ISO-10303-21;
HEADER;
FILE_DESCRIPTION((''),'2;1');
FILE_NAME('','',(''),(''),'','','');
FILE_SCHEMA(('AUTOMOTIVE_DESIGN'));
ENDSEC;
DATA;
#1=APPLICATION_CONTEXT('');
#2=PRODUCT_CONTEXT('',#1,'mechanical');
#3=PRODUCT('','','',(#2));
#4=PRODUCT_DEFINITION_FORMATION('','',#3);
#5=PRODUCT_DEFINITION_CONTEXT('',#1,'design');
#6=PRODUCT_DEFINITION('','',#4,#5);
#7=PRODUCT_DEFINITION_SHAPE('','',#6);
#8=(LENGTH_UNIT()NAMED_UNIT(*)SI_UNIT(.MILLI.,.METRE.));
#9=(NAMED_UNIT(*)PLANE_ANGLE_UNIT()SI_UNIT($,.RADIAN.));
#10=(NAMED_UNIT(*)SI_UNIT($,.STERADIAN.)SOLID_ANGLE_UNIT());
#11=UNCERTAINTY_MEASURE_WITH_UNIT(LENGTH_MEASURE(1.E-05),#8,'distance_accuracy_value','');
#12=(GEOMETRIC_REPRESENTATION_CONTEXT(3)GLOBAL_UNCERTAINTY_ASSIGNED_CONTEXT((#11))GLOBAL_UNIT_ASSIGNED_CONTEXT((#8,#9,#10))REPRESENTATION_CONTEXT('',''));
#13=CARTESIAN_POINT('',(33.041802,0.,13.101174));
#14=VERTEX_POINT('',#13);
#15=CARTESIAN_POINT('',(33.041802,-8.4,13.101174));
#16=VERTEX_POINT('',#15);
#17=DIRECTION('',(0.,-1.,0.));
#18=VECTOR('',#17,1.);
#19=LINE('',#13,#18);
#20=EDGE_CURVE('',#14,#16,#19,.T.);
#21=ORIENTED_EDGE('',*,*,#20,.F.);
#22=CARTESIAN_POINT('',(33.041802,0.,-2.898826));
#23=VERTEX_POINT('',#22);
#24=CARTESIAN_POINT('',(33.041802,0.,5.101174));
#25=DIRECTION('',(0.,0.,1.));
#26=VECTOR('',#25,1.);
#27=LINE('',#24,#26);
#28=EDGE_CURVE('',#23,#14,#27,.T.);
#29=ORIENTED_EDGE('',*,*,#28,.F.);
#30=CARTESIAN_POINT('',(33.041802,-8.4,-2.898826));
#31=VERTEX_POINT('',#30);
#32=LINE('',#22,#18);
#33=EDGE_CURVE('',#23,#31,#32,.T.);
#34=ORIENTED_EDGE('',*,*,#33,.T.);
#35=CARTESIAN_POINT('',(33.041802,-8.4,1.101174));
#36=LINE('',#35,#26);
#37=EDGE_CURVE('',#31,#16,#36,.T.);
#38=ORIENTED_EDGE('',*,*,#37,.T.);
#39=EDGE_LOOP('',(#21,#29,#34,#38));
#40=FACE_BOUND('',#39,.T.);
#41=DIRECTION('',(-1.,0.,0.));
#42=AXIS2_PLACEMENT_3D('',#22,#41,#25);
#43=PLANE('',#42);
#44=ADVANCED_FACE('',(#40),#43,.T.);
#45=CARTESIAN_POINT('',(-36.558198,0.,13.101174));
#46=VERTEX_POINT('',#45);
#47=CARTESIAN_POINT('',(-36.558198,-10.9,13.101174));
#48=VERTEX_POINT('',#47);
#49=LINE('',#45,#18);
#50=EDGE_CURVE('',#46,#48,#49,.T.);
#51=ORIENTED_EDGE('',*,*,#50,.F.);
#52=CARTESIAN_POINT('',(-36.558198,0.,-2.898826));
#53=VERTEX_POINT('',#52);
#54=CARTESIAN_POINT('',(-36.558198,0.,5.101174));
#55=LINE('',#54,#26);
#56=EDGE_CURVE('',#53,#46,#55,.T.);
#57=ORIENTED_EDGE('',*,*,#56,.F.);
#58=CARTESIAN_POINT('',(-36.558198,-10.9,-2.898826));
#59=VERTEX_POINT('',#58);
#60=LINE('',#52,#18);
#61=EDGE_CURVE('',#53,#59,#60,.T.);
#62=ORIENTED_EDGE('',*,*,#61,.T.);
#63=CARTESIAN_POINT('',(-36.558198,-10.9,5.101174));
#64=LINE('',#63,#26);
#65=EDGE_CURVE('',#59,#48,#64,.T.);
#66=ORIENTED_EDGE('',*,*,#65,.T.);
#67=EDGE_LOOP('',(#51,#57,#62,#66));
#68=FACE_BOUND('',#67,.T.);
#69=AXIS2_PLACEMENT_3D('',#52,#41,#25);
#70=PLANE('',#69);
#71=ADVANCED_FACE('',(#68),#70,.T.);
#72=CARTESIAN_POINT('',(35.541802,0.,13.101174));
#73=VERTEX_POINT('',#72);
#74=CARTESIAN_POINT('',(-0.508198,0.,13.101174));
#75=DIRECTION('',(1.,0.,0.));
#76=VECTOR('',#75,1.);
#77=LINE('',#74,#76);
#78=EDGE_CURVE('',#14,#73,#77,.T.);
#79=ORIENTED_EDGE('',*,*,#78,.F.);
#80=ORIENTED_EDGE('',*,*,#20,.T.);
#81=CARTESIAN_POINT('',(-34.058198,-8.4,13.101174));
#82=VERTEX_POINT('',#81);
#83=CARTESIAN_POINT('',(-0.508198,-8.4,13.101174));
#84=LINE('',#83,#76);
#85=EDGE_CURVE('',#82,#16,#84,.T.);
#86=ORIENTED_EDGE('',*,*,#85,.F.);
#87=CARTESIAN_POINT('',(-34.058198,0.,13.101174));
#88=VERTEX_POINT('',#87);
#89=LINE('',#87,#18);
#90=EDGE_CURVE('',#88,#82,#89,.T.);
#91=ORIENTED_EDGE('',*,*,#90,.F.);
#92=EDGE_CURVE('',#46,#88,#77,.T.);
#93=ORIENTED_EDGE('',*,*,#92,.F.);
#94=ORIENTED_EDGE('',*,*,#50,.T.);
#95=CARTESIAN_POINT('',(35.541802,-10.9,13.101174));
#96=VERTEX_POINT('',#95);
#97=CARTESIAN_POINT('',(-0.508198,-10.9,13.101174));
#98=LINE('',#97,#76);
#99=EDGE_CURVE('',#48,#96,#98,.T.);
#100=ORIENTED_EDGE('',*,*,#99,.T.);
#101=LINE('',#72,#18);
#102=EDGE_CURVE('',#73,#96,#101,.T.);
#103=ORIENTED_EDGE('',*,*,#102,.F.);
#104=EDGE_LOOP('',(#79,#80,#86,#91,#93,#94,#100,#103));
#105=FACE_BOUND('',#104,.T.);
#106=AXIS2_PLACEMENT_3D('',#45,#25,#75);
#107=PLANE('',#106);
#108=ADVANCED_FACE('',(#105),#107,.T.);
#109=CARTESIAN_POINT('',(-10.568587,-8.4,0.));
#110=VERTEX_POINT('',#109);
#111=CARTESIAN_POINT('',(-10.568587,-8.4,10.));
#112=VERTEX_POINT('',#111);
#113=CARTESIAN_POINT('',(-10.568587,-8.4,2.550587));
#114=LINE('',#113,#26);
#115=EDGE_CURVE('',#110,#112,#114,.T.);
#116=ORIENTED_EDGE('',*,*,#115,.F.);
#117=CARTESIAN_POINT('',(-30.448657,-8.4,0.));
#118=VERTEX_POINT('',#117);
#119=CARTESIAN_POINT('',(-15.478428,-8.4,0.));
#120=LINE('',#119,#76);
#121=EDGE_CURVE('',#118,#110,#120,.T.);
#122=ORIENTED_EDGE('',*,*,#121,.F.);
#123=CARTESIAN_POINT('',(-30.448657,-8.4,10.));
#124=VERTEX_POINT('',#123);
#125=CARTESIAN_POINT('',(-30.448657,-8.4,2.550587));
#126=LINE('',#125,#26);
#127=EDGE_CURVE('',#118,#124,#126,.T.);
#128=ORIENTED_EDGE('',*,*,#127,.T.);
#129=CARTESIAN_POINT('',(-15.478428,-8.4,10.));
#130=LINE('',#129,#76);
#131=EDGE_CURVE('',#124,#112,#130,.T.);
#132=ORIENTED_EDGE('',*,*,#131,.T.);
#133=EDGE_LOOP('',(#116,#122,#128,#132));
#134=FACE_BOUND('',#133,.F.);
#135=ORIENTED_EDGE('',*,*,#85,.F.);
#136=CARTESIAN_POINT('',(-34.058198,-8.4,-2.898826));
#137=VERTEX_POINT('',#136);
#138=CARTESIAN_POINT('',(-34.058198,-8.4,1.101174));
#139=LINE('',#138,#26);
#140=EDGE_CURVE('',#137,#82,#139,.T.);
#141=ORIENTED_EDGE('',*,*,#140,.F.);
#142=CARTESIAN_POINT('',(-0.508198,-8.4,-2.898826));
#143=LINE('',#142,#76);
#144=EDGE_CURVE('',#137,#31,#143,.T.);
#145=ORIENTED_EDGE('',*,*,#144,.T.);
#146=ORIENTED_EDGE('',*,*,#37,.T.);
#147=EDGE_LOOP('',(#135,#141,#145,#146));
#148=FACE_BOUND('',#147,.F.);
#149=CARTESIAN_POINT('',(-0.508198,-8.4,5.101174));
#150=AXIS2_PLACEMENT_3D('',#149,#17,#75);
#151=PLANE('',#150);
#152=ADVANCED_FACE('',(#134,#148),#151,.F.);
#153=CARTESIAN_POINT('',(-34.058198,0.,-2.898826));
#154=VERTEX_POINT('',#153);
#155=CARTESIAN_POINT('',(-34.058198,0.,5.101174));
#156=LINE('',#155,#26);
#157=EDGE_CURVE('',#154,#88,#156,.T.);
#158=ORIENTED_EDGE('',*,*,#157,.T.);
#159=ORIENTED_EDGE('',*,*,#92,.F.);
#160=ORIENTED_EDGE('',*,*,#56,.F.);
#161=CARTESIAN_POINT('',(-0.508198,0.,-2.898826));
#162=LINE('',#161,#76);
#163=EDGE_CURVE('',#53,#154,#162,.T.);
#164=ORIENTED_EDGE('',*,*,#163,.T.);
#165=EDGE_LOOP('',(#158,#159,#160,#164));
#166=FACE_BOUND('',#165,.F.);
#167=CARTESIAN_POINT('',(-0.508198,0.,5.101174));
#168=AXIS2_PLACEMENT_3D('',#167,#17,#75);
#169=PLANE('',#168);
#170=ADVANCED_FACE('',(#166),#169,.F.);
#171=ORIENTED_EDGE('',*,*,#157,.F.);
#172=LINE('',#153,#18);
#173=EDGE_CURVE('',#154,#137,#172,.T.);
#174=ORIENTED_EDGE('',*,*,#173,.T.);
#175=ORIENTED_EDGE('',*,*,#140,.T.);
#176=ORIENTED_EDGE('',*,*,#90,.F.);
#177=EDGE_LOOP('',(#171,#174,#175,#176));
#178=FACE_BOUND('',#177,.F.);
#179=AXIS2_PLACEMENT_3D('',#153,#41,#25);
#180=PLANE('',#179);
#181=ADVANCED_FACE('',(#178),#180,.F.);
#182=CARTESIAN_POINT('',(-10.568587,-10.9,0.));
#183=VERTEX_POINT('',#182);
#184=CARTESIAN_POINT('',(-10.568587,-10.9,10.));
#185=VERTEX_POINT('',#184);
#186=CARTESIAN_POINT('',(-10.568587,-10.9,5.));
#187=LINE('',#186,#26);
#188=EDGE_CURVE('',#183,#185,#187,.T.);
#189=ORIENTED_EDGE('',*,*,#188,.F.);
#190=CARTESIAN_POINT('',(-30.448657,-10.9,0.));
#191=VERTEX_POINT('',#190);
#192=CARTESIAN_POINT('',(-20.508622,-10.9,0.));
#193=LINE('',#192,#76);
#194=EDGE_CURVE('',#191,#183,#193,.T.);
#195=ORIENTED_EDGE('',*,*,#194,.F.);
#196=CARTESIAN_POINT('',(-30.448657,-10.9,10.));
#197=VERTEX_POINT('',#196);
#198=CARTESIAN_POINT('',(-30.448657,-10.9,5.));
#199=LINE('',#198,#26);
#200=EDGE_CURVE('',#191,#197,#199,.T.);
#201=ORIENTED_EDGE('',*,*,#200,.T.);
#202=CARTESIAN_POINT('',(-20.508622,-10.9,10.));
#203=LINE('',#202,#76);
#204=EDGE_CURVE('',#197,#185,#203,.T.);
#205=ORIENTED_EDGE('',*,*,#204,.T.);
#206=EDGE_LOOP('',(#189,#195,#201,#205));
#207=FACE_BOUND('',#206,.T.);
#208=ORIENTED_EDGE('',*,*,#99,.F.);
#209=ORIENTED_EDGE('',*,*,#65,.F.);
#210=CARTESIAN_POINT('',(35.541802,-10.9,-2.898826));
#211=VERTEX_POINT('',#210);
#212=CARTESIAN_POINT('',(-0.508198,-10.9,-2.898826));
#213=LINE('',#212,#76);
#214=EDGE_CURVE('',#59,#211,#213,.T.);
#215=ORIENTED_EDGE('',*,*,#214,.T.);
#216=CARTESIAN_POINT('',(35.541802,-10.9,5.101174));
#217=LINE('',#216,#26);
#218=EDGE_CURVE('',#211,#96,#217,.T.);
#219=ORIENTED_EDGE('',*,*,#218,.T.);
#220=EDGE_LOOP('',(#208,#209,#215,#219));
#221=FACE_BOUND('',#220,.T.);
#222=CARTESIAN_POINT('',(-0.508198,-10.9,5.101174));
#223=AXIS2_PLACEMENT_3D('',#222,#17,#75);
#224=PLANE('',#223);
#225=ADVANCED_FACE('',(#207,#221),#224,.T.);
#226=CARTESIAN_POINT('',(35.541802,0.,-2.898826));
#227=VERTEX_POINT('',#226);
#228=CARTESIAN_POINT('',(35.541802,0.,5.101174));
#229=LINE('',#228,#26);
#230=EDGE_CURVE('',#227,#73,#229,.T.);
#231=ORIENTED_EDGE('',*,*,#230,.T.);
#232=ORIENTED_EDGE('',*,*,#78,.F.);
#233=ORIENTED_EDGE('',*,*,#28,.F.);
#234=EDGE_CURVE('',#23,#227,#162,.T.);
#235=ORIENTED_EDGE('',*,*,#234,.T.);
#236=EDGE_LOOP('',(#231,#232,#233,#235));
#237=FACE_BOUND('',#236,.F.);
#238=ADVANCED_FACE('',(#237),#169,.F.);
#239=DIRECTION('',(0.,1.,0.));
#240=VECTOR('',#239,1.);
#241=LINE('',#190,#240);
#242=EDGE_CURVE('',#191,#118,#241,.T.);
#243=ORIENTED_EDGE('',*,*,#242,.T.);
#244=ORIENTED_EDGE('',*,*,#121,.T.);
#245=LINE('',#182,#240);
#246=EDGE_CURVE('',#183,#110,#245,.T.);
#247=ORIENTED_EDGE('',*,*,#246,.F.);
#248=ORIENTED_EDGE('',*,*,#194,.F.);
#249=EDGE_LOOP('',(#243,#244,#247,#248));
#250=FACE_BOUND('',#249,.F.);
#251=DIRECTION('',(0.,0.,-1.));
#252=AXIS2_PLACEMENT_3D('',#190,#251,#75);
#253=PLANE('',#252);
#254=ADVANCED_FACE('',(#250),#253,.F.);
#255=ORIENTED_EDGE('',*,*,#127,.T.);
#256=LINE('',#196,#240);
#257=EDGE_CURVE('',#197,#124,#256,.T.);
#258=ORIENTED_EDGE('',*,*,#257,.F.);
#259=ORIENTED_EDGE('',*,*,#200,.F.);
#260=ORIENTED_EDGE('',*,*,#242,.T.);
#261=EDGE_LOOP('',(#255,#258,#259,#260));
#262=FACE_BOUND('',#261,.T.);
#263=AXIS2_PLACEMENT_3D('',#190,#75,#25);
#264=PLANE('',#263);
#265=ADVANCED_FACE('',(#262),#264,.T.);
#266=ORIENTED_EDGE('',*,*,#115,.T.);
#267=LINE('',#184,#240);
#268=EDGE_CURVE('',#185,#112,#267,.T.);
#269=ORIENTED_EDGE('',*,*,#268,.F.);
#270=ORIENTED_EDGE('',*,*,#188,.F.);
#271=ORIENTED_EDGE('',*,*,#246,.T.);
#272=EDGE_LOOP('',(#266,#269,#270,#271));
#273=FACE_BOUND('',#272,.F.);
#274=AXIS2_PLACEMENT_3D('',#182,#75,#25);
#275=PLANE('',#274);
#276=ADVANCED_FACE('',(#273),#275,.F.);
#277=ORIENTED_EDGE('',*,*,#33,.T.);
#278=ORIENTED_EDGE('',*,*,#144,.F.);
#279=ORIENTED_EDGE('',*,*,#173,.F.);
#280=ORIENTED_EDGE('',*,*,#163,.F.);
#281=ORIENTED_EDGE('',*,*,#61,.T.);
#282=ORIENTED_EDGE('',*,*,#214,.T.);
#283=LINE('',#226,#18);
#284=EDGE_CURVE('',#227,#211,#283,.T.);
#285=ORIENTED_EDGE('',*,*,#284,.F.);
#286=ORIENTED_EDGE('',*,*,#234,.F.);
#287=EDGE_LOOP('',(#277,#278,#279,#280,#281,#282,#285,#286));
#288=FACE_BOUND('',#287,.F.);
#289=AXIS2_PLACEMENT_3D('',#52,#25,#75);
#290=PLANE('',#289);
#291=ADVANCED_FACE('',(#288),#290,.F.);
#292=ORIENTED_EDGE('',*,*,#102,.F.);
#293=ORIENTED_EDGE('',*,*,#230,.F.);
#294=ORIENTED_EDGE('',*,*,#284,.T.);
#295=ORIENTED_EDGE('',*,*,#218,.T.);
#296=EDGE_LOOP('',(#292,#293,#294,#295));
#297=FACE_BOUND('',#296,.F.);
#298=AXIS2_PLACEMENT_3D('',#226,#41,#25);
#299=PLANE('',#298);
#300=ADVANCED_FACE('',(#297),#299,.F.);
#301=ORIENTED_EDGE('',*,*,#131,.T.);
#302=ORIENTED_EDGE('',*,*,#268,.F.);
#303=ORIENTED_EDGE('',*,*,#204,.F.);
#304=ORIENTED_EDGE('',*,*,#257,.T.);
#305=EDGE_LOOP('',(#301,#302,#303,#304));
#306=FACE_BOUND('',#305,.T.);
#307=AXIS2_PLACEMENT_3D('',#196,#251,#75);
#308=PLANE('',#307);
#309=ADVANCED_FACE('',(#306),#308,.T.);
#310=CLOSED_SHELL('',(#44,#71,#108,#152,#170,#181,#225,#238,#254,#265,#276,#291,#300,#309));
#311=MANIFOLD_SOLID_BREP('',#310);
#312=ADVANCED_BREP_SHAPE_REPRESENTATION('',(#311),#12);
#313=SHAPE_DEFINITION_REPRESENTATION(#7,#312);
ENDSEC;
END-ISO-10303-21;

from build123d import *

# Parameters (mm, degrees)
F0_W     = 72.1
F0_H     = 16
F1_DEPTH = 10.9
F2_T     = -2.5
F3_W     = 19.88007
F3_H     = 10
F4_DEPTH = 25


with BuildPart() as f1:
    # F0 (on Front) → F1 (new body)
    with BuildSketch(Plane.XZ):
        with Locations((-0.508198, 5.101174)):
            Rectangle(F0_W, F0_H)
    extrude(amount=F1_DEPTH)

    # F2
    f2_openings = [f1.faces().sort_by_distance(p)[0] for p in [
        (-0.508198, 0, 5.101174),
        (-0.508198, -5.45, 13.101174),
        (-0.508198, -5.45, -2.898826),
    ]]
    offset(amount=F2_T, openings=f2_openings)

    # F3 (on face) → F4 (cut)
    with BuildSketch(Plane.XZ.offset(10.9)):
        with Locations((-20.508622, 5)):
            Rectangle(F3_W, F3_H)
    extrude(amount=-F4_DEPTH, mode=Mode.SUBTRACT)


solid = f1.part
